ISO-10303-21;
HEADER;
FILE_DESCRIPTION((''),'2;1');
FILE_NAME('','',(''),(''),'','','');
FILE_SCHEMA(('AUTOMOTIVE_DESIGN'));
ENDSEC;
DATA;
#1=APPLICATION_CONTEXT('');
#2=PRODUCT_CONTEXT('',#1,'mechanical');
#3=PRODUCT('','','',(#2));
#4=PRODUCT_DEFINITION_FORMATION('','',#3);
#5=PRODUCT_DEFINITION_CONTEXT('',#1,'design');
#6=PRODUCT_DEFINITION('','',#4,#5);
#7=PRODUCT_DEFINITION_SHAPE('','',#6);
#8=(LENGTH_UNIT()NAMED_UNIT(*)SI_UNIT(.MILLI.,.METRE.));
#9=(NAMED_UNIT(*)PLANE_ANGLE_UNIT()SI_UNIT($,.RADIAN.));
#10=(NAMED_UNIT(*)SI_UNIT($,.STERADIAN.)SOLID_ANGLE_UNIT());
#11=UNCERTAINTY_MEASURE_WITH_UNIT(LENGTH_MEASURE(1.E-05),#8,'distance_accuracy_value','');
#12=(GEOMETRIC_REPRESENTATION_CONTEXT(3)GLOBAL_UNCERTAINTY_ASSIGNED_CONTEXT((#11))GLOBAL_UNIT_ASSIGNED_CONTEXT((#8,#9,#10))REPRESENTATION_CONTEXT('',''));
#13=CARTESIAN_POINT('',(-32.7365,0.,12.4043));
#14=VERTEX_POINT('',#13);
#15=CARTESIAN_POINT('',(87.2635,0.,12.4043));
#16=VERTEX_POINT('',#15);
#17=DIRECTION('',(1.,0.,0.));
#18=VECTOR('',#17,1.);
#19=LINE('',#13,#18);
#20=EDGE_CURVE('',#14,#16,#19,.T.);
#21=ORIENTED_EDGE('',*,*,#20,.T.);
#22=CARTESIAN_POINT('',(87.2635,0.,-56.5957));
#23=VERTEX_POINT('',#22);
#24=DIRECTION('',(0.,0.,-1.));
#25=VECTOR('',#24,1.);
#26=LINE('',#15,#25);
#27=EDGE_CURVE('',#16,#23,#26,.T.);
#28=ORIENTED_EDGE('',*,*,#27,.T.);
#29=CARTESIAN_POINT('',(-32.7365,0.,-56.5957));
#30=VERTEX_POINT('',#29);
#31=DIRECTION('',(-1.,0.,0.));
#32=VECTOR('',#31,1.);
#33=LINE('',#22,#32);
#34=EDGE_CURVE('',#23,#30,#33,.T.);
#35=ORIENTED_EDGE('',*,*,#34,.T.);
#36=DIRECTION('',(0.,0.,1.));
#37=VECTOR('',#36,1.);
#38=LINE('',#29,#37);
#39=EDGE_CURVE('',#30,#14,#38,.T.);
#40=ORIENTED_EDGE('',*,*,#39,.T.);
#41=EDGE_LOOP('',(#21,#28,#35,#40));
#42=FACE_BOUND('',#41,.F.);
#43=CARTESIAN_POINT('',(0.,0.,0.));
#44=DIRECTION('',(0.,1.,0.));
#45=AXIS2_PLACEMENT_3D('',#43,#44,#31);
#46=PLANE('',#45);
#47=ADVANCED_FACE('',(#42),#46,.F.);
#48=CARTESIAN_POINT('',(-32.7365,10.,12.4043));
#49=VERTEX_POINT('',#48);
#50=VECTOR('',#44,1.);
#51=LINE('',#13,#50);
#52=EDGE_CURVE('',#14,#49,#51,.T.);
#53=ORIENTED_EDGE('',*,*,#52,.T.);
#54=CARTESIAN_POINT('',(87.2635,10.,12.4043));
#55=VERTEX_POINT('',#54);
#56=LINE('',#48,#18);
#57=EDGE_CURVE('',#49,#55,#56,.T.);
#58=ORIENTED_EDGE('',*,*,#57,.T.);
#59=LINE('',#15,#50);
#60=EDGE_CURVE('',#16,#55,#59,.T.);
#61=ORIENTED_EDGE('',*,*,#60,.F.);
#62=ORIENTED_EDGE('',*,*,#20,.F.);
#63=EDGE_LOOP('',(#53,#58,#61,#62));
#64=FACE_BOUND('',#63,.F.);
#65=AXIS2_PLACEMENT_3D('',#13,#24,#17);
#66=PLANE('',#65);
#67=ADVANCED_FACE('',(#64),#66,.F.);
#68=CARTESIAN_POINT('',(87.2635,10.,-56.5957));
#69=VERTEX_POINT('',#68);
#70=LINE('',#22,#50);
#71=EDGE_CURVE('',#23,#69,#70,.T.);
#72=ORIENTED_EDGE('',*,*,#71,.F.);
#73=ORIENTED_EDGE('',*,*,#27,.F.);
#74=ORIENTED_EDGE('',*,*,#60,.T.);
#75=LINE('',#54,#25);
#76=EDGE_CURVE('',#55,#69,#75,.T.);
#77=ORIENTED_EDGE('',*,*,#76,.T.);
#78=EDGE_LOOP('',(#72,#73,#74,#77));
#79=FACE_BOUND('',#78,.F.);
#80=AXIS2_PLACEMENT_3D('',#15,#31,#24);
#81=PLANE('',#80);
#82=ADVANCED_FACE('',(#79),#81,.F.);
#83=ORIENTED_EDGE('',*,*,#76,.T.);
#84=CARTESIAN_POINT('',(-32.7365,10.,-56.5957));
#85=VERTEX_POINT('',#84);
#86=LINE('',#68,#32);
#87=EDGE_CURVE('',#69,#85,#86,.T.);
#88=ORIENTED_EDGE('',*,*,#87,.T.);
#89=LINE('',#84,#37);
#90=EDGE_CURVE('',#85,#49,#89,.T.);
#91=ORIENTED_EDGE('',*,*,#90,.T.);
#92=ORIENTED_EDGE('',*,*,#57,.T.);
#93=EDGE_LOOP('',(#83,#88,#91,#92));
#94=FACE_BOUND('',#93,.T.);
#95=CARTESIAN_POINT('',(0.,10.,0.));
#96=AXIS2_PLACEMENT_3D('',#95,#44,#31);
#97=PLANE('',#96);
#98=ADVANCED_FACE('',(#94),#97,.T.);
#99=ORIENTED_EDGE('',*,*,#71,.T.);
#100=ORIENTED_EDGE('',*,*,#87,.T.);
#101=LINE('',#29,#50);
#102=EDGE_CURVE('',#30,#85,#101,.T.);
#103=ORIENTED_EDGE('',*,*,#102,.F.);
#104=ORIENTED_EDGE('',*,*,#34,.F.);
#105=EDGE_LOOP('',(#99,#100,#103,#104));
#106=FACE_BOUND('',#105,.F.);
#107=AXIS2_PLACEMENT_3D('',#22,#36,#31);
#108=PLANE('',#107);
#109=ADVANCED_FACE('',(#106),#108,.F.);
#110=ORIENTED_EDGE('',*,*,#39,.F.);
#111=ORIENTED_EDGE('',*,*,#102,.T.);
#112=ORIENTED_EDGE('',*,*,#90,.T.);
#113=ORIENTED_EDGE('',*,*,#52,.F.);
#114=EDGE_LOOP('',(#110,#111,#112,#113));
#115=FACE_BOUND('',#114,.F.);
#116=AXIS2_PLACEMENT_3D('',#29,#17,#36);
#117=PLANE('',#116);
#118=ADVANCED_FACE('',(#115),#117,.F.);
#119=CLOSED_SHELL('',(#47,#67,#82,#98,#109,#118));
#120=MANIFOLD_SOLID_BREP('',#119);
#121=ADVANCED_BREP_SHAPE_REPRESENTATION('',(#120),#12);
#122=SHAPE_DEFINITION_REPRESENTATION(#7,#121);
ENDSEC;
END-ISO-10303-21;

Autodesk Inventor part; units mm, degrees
ref_plane "YZ Plane" through (0, 0, 0) normal (1, 0, 0) x (0, 1, 0)
ref_plane "XZ Plane" through (0, 0, 0) normal (0, 1, 0) x (-1, 0, 0)
ref_plane "XY Plane" through (0, 0, 0) normal (0, 0, 1) x (1, 0, 0)
sketch "Skizze1" plane through (0, 0, 0) normal (0, 1, 0) x (-1, 0, 0)
  line L0 (32.7365, 12.4043) -> (-87.2635, 12.4043)
  line L1 (-87.2635, 12.4043) -> (-87.2635, -56.5957)
  line L2 (-87.2635, -56.5957) -> (32.7365, -56.5957)
  line L3 (32.7365, -56.5957) -> (32.7365, 12.4043)
  point P0 (0, 0)
  dimension "d0" = 120
  dimension "d1" = 69
extrude "Extrusion1" add sketch "Skizze1" along normal blind 10
properties part number "HalterungMotorregler"
